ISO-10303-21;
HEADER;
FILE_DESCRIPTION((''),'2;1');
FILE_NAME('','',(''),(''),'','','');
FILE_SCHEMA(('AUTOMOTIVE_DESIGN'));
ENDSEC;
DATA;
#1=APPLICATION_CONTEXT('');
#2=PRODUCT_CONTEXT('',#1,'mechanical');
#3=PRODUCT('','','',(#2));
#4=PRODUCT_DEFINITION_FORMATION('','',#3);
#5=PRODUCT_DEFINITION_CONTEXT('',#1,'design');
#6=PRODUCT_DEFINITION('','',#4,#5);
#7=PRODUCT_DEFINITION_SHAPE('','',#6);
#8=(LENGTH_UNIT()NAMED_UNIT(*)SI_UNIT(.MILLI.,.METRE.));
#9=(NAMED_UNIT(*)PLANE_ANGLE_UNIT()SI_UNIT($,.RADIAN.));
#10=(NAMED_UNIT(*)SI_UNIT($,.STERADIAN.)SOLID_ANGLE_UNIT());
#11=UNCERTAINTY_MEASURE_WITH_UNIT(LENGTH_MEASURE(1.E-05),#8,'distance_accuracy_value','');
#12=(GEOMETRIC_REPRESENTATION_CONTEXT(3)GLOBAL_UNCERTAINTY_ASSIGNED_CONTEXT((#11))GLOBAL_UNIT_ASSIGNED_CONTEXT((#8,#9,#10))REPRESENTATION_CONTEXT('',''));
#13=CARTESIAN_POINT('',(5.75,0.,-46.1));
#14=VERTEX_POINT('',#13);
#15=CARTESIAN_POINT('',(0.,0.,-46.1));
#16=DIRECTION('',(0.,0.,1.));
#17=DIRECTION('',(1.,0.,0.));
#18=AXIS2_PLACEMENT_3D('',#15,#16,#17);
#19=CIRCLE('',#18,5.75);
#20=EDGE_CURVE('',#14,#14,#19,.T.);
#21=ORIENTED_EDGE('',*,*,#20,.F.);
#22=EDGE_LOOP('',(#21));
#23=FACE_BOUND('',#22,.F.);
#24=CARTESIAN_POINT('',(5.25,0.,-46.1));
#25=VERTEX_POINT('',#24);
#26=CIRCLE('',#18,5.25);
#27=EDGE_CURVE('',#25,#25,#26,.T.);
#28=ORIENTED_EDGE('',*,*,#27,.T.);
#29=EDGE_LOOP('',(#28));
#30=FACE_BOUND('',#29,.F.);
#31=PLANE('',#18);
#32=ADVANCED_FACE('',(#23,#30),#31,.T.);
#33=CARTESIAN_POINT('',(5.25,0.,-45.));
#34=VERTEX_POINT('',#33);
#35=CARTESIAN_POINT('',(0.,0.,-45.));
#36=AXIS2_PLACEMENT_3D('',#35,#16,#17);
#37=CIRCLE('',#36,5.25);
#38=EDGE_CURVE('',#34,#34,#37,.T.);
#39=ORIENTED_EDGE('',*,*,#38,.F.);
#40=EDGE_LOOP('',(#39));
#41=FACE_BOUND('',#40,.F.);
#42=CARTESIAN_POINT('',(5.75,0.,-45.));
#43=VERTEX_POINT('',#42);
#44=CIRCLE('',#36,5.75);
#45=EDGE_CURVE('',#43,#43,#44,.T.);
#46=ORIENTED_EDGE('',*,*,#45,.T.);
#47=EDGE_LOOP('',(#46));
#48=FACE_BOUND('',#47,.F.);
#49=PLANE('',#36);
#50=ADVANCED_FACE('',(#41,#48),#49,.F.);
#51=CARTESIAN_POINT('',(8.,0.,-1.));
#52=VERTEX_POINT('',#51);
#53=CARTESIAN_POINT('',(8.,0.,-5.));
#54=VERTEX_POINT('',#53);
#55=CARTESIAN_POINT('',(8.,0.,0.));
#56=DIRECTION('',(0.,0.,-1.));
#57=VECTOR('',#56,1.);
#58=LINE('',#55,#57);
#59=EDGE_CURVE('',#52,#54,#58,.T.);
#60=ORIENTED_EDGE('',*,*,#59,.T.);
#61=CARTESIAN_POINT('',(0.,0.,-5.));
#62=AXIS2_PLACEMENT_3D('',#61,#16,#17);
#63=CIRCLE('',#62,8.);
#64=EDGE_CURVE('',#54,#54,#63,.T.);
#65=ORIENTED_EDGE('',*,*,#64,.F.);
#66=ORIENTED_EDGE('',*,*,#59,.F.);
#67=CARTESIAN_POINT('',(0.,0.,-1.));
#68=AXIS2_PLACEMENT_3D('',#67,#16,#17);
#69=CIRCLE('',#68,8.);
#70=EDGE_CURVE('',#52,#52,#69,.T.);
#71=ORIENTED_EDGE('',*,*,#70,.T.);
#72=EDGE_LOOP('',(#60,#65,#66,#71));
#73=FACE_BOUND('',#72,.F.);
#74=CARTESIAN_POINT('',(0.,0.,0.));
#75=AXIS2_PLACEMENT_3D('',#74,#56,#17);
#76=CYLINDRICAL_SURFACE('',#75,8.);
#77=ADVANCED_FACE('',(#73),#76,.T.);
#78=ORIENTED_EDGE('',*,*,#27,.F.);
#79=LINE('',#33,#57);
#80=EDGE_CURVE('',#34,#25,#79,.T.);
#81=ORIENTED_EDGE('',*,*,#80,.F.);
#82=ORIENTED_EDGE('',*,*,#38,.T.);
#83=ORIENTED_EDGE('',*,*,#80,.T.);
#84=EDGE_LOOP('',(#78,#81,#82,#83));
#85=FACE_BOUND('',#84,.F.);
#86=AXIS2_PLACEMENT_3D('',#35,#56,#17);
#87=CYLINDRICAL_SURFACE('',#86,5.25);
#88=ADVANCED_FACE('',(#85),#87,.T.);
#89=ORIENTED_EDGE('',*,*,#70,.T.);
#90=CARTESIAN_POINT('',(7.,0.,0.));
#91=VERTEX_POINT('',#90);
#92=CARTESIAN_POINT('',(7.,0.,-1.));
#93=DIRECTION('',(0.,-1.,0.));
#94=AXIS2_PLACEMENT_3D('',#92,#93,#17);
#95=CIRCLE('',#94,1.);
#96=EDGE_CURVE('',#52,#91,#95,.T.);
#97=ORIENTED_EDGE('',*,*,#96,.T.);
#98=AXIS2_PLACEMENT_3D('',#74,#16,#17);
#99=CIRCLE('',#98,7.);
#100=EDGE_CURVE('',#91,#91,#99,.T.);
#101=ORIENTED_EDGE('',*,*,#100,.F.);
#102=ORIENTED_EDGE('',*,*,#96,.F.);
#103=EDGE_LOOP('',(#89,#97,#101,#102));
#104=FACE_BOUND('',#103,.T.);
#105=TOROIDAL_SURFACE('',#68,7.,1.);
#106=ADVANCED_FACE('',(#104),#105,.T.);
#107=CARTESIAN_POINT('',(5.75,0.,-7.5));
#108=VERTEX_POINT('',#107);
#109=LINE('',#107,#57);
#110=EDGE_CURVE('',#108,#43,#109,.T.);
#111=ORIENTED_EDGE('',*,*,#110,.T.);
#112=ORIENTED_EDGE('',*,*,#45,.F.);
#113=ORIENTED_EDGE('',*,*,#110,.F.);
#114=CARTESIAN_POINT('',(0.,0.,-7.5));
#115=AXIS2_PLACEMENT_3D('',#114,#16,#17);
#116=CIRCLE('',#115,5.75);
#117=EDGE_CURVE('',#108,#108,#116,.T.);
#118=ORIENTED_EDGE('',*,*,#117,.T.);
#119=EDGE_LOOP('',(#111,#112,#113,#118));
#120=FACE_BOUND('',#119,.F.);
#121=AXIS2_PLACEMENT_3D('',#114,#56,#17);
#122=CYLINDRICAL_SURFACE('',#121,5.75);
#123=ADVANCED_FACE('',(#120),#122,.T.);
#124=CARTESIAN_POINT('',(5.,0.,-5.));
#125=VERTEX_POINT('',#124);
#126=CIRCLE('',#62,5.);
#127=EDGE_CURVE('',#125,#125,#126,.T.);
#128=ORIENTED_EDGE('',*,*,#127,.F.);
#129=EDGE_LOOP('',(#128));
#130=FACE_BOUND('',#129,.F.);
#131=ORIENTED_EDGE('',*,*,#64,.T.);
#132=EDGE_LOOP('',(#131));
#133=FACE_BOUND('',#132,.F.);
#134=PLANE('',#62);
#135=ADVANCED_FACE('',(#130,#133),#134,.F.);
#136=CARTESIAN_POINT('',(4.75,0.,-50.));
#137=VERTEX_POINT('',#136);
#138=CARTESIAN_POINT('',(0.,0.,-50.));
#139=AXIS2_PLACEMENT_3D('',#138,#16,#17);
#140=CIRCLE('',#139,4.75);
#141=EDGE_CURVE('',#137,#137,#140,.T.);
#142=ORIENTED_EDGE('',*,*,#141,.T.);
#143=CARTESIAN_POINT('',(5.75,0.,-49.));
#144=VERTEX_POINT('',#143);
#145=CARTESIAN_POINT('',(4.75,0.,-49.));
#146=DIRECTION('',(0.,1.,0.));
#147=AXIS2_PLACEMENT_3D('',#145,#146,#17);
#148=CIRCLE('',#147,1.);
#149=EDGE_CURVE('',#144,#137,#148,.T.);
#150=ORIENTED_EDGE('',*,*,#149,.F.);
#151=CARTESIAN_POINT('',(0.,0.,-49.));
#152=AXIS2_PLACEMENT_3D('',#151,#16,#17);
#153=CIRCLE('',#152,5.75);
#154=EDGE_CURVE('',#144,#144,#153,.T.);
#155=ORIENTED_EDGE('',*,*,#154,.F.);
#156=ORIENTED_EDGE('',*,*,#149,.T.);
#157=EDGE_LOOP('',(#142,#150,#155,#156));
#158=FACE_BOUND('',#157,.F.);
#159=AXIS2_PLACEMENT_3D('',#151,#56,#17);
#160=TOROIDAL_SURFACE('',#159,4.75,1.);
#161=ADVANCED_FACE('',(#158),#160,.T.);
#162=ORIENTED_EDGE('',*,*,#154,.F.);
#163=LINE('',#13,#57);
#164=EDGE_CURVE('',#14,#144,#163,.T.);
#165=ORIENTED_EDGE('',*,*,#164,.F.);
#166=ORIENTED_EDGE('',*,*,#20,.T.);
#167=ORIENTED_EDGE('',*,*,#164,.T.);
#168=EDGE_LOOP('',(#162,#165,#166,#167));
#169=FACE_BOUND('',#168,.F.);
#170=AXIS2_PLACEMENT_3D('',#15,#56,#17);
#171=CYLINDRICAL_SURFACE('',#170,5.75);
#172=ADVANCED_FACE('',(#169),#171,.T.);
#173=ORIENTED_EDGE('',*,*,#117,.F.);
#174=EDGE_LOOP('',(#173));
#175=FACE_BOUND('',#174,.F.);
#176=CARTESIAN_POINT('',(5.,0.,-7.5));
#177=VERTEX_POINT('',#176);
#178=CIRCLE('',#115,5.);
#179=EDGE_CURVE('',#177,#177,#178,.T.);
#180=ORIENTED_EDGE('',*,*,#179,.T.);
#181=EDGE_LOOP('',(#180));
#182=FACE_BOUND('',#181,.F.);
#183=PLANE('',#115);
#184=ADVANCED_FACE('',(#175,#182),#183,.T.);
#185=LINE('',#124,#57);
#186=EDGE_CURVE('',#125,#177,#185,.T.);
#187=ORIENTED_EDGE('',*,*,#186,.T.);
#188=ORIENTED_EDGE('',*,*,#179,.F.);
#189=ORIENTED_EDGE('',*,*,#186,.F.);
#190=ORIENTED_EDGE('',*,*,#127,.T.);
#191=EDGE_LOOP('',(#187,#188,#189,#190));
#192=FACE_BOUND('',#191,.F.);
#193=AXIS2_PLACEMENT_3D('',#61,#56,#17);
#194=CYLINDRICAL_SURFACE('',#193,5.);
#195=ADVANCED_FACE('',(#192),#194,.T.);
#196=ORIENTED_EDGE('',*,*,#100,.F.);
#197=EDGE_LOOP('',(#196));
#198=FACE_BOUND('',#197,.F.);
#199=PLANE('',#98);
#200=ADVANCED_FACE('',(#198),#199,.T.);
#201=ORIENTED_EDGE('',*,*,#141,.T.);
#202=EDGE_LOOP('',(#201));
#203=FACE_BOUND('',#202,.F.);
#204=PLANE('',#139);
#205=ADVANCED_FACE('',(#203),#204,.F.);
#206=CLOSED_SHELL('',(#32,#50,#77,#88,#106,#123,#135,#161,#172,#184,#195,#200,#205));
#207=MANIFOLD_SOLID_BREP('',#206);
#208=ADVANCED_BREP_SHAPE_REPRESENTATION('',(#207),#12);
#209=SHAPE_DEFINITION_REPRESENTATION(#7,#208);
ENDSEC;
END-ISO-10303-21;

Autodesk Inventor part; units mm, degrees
ref_plane "YZ Plane" through (0, 0, 0) normal (1, 0, 0) x (0, 1, 0)
ref_plane "XZ Plane" through (0, 0, 0) normal (0, 1, 0) x (-1, 0, 0)
ref_plane "XY Plane" through (0, 0, 0) normal (0, 0, 1) x (1, 0, 0)
sketch "草图1" plane through (0, 0, 0) normal (0, 1, 0) x (-1, 0, 0)
  line L0 (0, 0) -> (-8, 0)
  line L1 (-8, 0) -> (-8, -5)
  line L2 (-8, -5) -> (0, -5)
  line L3 (0, -5) -> (0, 0)
  line L4 (0, -5) -> (-5, -5)
  line L5 (-5, -5) -> (-5, -7.5)
  line L6 (-5, -7.5) -> (0, -7.5)
  line L7 (0, -7.5) -> (0, -5)
  line L8 (0, -7.5) -> (-5.75, -7.5)
  line L9 (-5.75, -7.5) -> (-5.75, -45)
  line L10 (-5.75, -45) -> (0, -45)
  line L11 (0, -45) -> (0, -7.5)
  line L12 (0, -45) -> (-5.25, -45)
  line L13 (-5.25, -45) -> (-5.25, -46.1)
  line L14 (-5.25, -46.1) -> (0, -46.1)
  line L15 (0, -46.1) -> (0, -45)
  line L16 (0, -46.1) -> (-5.75, -46.1)
  line L17 (-5.75, -46.1) -> (-5.75, -50)
  line L18 (-5.75, -50) -> (0, -50)
  line L19 (0, -50) -> (0, -46.1)
  dimension "d0" = 8
  dimension "d1" = 5
  dimension "d2" = 5
  dimension "d3" = 2.5
  dimension "d4" = 5.75
  dimension "d5" = 37.5
  dimension "d6" = 5.25
  dimension "d7" = 1.1
  dimension "d8" = 5.75
  dimension "d9" = 3.9
revolve "旋转1" add sketch "草图1" angle 360 about axis through (0, 0, -45) along (0, 0, 1)
fillet "圆角1" radius 1 2 edges at (-8, 0, 0) (-5.75, 0, -50)
properties part number "6-鞘轴" material "不锈钢"
